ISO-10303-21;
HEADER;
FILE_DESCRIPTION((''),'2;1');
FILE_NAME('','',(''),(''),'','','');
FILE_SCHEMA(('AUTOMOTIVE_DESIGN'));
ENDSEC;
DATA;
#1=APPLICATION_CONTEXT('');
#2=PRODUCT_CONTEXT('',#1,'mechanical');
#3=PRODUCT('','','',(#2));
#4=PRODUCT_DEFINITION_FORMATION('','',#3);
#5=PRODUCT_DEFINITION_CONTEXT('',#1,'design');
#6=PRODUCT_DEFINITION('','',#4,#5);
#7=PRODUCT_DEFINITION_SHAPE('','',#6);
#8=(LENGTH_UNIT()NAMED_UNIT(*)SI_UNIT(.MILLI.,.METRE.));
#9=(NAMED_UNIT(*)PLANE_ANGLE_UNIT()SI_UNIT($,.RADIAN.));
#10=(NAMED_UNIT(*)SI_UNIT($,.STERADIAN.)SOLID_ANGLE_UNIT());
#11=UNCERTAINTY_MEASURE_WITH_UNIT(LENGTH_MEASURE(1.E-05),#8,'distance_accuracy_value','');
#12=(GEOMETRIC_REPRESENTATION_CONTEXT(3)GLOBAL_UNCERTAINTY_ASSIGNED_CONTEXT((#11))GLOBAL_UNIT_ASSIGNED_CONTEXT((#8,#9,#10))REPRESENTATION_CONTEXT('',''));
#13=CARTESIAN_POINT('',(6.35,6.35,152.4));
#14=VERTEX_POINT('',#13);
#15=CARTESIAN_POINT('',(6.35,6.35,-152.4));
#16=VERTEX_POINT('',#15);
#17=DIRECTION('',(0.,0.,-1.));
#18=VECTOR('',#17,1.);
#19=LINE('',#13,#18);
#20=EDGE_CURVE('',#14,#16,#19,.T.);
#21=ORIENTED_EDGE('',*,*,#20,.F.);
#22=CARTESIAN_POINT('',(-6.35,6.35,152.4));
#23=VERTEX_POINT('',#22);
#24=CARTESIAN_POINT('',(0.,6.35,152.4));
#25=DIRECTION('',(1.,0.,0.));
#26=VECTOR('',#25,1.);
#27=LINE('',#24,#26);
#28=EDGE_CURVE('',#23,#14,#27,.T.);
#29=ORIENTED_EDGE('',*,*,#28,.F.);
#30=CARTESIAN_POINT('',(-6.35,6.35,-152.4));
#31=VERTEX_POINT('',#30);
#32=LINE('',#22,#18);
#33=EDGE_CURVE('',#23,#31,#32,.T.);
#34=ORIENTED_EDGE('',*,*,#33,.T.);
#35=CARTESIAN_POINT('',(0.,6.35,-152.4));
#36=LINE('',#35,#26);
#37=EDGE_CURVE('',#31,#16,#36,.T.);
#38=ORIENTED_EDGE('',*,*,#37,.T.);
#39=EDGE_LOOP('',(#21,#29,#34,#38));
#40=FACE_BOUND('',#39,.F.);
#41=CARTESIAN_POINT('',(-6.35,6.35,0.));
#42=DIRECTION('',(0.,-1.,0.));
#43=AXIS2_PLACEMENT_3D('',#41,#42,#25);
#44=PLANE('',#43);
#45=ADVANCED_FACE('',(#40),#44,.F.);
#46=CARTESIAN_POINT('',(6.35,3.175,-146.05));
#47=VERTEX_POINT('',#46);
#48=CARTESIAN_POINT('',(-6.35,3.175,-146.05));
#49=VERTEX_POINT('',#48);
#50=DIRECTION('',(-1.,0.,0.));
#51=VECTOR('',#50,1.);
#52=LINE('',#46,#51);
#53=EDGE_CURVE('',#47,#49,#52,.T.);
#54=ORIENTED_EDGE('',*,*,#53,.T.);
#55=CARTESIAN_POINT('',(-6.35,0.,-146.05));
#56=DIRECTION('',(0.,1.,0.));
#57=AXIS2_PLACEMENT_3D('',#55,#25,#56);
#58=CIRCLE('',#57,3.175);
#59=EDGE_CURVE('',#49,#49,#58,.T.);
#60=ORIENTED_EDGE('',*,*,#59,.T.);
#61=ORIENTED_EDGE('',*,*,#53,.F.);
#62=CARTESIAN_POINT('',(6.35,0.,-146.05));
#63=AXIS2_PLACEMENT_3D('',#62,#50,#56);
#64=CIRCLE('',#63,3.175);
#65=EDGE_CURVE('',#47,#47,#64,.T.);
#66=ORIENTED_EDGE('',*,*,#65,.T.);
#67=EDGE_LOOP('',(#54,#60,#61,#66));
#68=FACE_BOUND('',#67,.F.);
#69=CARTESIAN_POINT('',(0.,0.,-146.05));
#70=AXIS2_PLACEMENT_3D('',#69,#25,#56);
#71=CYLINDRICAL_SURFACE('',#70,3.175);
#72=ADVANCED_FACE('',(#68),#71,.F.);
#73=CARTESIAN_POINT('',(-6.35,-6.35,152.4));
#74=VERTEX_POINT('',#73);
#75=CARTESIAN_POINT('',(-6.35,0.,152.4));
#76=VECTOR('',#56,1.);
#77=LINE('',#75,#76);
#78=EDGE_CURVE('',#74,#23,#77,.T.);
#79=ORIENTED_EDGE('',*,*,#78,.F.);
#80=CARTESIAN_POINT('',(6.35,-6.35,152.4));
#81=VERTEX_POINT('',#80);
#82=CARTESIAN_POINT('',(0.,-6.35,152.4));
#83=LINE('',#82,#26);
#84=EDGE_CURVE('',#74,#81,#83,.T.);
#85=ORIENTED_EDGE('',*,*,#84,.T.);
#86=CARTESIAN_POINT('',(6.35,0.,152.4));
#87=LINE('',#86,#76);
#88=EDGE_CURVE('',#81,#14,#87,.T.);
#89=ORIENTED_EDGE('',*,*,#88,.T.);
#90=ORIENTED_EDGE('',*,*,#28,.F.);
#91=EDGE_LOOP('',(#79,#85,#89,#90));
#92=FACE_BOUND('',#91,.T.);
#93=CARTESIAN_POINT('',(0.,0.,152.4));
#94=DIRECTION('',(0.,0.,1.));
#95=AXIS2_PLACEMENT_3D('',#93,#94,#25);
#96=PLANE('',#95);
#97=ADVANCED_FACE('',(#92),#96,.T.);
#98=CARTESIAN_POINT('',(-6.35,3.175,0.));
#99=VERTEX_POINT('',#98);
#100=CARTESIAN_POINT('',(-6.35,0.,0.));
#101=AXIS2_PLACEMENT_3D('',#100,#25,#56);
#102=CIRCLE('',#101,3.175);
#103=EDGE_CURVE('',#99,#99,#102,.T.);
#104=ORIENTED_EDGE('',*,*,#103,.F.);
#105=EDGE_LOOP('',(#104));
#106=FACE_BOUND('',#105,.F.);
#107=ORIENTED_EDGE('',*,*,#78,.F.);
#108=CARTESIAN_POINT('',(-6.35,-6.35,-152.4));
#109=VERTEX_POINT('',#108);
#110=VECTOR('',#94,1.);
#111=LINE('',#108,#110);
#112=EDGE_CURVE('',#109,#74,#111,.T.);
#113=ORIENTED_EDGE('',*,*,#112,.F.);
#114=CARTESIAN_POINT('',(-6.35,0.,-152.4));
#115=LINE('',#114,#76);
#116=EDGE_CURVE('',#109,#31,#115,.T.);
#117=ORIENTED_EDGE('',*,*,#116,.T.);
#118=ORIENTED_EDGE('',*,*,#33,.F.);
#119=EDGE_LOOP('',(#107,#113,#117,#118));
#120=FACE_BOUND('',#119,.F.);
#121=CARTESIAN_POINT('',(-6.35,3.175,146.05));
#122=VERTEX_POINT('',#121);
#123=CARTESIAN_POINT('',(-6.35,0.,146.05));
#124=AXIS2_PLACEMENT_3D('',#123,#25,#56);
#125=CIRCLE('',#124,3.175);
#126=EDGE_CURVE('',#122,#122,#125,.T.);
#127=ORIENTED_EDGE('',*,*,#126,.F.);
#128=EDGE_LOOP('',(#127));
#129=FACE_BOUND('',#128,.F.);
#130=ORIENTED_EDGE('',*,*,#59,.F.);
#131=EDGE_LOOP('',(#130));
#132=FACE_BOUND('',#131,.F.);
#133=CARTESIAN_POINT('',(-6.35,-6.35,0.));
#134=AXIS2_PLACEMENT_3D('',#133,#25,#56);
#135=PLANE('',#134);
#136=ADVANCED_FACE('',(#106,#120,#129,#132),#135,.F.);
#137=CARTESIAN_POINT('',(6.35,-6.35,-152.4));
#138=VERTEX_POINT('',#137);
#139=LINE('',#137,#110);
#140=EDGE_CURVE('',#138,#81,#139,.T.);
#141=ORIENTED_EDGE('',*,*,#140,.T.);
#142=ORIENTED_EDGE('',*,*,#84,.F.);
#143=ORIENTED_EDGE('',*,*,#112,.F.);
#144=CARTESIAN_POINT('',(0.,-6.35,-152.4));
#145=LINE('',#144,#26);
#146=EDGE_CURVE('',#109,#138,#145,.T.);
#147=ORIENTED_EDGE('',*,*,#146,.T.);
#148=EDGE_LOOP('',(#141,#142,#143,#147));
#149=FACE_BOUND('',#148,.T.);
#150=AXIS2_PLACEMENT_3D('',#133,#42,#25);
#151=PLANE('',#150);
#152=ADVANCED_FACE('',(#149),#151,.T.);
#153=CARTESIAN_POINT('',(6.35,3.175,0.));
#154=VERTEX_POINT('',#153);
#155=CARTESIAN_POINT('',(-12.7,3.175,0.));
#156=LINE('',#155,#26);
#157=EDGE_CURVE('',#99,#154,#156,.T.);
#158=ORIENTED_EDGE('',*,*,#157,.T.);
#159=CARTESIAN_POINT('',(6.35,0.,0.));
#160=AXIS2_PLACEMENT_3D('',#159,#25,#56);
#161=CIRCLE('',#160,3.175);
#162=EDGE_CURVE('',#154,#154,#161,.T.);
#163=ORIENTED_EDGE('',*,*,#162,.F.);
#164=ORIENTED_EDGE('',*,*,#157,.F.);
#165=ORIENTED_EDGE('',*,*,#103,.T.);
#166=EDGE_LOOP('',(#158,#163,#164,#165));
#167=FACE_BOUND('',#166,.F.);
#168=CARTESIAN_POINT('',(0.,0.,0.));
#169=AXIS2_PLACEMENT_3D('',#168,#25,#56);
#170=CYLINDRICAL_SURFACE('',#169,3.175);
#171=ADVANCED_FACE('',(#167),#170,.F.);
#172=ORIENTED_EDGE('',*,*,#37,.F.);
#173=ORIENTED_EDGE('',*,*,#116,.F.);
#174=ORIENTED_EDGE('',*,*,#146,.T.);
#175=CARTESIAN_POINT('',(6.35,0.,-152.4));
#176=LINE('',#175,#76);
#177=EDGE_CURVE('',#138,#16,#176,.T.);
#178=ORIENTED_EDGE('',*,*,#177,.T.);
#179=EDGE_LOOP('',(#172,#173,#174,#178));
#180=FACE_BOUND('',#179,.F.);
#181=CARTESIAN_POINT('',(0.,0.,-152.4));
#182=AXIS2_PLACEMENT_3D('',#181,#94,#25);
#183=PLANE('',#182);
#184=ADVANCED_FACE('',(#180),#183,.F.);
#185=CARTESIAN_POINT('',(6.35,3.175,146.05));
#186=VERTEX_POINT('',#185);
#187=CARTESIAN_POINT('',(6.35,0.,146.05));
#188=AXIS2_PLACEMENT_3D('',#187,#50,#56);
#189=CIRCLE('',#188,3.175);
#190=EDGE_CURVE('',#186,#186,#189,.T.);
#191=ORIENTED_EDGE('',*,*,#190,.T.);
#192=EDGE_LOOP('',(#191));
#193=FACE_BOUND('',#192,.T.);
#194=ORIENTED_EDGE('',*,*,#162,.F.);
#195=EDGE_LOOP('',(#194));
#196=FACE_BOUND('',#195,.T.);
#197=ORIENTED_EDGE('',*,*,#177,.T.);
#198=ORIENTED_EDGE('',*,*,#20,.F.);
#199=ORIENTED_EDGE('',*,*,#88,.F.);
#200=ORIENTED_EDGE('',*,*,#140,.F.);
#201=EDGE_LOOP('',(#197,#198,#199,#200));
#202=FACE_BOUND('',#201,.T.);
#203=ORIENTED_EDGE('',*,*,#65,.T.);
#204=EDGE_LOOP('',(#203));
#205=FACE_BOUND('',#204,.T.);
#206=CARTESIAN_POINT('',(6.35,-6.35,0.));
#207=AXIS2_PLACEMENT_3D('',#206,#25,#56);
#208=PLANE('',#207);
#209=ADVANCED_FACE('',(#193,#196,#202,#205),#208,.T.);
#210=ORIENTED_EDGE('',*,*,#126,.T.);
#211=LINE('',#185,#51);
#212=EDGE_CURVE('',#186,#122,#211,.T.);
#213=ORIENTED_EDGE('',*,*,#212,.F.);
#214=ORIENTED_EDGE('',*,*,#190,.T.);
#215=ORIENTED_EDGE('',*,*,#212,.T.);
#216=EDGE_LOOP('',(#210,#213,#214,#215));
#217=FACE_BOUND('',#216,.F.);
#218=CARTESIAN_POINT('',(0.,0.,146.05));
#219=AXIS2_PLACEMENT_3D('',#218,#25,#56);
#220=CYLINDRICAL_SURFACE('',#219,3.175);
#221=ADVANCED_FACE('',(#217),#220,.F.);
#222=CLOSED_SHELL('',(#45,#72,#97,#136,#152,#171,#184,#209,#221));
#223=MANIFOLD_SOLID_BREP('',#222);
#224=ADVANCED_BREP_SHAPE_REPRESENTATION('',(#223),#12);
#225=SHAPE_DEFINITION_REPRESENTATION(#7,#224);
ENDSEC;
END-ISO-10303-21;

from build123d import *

# Parameters (mm, degrees)
F0_W     = 12.7
F0_H     = 12.7
F1_DEPTH = 152.4
F2_R     = 3.175
F3_DEPTH = 12.7


with BuildPart() as f1:
    # F0 (on Top) → F1 (new body, symmetric)
    with BuildSketch(Plane.XY):
        Rectangle(F0_W, F0_H)
    extrude(amount=F1_DEPTH, both=True)

    # F2 (on Right) → F3 (cut, symmetric)
    with BuildSketch(Plane.YZ):
        with Locations((0, 146.05)):
            Circle(F2_R)
        with Locations((0, -146.05)):
            Circle(F2_R)
        Circle(F2_R)
    extrude(amount=F3_DEPTH, both=True, mode=Mode.SUBTRACT)


solid = f1.part
